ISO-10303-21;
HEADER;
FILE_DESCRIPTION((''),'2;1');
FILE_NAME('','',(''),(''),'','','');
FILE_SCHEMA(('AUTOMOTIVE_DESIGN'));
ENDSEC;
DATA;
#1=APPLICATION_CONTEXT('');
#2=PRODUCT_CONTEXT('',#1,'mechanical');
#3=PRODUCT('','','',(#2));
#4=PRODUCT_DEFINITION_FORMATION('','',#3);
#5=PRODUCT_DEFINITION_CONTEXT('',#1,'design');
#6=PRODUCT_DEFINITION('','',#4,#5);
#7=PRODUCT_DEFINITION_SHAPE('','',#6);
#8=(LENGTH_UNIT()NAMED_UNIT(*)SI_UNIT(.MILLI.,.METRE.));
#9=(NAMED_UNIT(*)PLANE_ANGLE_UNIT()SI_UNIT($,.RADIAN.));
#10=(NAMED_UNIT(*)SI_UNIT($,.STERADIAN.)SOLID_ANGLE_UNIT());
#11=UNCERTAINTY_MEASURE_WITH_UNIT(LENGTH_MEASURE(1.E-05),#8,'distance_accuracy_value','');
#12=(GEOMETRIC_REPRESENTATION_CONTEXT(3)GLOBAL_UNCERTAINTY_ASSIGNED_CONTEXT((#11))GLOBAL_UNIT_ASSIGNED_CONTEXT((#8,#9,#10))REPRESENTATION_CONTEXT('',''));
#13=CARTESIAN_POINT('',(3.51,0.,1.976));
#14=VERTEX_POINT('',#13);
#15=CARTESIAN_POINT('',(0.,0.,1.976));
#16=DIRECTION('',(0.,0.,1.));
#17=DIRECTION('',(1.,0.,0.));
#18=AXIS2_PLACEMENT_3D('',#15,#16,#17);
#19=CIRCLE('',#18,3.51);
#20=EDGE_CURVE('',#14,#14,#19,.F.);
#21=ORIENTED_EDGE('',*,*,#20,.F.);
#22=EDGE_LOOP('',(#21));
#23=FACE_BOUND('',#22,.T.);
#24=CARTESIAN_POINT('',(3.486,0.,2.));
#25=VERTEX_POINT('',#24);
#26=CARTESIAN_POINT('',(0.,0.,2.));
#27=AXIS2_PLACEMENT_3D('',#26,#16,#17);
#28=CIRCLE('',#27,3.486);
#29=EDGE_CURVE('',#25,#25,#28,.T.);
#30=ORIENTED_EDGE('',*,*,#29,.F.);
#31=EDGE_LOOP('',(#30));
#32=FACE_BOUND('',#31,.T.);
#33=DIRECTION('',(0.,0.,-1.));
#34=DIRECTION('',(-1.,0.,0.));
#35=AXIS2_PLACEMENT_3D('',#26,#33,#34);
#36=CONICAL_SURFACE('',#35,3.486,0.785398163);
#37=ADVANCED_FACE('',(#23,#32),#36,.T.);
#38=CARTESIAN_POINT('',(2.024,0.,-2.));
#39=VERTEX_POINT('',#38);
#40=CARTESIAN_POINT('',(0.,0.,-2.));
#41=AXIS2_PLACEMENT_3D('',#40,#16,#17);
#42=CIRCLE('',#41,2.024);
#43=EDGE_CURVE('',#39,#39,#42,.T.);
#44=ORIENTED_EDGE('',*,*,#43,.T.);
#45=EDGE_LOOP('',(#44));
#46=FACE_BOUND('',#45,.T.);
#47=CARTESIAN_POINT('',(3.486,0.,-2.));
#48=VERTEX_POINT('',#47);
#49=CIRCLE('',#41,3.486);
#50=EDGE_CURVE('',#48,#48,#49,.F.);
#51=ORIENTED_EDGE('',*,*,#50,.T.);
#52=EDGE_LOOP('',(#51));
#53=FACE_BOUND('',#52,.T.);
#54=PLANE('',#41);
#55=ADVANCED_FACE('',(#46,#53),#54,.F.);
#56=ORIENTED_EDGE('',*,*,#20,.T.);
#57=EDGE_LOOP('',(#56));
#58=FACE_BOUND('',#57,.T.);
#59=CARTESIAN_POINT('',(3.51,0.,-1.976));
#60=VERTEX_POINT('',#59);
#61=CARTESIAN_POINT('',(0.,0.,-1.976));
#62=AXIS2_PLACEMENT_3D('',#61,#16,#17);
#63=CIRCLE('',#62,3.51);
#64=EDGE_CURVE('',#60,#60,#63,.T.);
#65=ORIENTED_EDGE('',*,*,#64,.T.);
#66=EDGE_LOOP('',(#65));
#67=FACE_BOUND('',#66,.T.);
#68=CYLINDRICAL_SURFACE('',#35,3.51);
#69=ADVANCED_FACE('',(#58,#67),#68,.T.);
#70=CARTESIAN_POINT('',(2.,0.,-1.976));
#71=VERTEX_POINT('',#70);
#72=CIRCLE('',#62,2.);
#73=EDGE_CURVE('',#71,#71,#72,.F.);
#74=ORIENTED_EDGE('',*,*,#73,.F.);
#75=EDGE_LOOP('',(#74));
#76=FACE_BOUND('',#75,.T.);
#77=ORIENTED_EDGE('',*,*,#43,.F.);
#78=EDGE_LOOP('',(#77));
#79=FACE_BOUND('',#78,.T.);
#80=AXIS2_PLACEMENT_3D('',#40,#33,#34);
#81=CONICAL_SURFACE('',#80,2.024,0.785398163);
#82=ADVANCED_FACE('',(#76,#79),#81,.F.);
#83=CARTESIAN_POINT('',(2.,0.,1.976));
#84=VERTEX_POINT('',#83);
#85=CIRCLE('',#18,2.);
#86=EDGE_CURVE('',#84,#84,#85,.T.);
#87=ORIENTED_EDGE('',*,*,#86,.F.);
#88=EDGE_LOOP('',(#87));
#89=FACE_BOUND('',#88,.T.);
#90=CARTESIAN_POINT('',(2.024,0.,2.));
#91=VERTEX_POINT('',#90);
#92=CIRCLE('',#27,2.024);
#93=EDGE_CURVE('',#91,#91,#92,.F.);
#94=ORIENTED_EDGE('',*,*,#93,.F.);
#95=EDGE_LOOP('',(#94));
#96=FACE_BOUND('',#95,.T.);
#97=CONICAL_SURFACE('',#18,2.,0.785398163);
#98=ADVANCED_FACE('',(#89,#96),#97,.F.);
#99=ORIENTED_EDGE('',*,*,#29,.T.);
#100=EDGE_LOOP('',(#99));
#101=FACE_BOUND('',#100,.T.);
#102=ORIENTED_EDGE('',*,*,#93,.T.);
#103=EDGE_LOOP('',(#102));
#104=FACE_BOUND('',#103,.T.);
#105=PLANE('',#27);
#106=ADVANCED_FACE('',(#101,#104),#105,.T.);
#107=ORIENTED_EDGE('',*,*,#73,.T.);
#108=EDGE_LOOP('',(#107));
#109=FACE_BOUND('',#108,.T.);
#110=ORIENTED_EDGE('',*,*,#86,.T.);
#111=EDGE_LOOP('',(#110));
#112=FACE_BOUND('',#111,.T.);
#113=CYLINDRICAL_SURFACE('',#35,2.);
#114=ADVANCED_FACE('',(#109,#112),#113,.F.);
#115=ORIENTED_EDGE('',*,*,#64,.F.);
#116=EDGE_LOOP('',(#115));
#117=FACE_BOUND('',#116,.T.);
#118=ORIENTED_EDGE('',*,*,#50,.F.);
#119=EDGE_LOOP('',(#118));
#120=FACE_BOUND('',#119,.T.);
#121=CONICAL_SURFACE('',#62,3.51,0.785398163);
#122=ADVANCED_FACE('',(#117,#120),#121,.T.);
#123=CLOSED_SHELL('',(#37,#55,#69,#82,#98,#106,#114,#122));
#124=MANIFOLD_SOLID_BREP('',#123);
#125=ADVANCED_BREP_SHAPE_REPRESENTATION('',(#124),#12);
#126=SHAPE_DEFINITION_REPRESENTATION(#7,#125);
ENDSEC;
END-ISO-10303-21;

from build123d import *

# Parameters (mm, degrees)
BOSS_EXTRUDE1_DEPTH      = 2
BOSS_EXTRUDE1_DEPTH_BACK = 2
SKETCH5_R                = 3.51
SKETCH5_R_2              = 2
CHAMFER1_SIZE            = 0.024


with BuildPart() as part:
    # Sketch5 → Boss-Extrude1 (new, two sides: drawn at the far end of the back side and taken through both)
    with BuildSketch(Plane.XY.offset(-BOSS_EXTRUDE1_DEPTH_BACK)):
        Circle(SKETCH5_R)
        Circle(SKETCH5_R_2, mode=Mode.SUBTRACT)
    extrude(amount=BOSS_EXTRUDE1_DEPTH + BOSS_EXTRUDE1_DEPTH_BACK)

    # Chamfer1
    chamfer1_edges = [part.edges().sort_by_distance(p)[0] for p in [
        (-3.51, 0, 2),
        (-2, 0, 2),
        (-3.51, 0, -2),
        (-2, 0, -2),
    ]]
    chamfer(chamfer1_edges, length=CHAMFER1_SIZE)


solid = part.part
